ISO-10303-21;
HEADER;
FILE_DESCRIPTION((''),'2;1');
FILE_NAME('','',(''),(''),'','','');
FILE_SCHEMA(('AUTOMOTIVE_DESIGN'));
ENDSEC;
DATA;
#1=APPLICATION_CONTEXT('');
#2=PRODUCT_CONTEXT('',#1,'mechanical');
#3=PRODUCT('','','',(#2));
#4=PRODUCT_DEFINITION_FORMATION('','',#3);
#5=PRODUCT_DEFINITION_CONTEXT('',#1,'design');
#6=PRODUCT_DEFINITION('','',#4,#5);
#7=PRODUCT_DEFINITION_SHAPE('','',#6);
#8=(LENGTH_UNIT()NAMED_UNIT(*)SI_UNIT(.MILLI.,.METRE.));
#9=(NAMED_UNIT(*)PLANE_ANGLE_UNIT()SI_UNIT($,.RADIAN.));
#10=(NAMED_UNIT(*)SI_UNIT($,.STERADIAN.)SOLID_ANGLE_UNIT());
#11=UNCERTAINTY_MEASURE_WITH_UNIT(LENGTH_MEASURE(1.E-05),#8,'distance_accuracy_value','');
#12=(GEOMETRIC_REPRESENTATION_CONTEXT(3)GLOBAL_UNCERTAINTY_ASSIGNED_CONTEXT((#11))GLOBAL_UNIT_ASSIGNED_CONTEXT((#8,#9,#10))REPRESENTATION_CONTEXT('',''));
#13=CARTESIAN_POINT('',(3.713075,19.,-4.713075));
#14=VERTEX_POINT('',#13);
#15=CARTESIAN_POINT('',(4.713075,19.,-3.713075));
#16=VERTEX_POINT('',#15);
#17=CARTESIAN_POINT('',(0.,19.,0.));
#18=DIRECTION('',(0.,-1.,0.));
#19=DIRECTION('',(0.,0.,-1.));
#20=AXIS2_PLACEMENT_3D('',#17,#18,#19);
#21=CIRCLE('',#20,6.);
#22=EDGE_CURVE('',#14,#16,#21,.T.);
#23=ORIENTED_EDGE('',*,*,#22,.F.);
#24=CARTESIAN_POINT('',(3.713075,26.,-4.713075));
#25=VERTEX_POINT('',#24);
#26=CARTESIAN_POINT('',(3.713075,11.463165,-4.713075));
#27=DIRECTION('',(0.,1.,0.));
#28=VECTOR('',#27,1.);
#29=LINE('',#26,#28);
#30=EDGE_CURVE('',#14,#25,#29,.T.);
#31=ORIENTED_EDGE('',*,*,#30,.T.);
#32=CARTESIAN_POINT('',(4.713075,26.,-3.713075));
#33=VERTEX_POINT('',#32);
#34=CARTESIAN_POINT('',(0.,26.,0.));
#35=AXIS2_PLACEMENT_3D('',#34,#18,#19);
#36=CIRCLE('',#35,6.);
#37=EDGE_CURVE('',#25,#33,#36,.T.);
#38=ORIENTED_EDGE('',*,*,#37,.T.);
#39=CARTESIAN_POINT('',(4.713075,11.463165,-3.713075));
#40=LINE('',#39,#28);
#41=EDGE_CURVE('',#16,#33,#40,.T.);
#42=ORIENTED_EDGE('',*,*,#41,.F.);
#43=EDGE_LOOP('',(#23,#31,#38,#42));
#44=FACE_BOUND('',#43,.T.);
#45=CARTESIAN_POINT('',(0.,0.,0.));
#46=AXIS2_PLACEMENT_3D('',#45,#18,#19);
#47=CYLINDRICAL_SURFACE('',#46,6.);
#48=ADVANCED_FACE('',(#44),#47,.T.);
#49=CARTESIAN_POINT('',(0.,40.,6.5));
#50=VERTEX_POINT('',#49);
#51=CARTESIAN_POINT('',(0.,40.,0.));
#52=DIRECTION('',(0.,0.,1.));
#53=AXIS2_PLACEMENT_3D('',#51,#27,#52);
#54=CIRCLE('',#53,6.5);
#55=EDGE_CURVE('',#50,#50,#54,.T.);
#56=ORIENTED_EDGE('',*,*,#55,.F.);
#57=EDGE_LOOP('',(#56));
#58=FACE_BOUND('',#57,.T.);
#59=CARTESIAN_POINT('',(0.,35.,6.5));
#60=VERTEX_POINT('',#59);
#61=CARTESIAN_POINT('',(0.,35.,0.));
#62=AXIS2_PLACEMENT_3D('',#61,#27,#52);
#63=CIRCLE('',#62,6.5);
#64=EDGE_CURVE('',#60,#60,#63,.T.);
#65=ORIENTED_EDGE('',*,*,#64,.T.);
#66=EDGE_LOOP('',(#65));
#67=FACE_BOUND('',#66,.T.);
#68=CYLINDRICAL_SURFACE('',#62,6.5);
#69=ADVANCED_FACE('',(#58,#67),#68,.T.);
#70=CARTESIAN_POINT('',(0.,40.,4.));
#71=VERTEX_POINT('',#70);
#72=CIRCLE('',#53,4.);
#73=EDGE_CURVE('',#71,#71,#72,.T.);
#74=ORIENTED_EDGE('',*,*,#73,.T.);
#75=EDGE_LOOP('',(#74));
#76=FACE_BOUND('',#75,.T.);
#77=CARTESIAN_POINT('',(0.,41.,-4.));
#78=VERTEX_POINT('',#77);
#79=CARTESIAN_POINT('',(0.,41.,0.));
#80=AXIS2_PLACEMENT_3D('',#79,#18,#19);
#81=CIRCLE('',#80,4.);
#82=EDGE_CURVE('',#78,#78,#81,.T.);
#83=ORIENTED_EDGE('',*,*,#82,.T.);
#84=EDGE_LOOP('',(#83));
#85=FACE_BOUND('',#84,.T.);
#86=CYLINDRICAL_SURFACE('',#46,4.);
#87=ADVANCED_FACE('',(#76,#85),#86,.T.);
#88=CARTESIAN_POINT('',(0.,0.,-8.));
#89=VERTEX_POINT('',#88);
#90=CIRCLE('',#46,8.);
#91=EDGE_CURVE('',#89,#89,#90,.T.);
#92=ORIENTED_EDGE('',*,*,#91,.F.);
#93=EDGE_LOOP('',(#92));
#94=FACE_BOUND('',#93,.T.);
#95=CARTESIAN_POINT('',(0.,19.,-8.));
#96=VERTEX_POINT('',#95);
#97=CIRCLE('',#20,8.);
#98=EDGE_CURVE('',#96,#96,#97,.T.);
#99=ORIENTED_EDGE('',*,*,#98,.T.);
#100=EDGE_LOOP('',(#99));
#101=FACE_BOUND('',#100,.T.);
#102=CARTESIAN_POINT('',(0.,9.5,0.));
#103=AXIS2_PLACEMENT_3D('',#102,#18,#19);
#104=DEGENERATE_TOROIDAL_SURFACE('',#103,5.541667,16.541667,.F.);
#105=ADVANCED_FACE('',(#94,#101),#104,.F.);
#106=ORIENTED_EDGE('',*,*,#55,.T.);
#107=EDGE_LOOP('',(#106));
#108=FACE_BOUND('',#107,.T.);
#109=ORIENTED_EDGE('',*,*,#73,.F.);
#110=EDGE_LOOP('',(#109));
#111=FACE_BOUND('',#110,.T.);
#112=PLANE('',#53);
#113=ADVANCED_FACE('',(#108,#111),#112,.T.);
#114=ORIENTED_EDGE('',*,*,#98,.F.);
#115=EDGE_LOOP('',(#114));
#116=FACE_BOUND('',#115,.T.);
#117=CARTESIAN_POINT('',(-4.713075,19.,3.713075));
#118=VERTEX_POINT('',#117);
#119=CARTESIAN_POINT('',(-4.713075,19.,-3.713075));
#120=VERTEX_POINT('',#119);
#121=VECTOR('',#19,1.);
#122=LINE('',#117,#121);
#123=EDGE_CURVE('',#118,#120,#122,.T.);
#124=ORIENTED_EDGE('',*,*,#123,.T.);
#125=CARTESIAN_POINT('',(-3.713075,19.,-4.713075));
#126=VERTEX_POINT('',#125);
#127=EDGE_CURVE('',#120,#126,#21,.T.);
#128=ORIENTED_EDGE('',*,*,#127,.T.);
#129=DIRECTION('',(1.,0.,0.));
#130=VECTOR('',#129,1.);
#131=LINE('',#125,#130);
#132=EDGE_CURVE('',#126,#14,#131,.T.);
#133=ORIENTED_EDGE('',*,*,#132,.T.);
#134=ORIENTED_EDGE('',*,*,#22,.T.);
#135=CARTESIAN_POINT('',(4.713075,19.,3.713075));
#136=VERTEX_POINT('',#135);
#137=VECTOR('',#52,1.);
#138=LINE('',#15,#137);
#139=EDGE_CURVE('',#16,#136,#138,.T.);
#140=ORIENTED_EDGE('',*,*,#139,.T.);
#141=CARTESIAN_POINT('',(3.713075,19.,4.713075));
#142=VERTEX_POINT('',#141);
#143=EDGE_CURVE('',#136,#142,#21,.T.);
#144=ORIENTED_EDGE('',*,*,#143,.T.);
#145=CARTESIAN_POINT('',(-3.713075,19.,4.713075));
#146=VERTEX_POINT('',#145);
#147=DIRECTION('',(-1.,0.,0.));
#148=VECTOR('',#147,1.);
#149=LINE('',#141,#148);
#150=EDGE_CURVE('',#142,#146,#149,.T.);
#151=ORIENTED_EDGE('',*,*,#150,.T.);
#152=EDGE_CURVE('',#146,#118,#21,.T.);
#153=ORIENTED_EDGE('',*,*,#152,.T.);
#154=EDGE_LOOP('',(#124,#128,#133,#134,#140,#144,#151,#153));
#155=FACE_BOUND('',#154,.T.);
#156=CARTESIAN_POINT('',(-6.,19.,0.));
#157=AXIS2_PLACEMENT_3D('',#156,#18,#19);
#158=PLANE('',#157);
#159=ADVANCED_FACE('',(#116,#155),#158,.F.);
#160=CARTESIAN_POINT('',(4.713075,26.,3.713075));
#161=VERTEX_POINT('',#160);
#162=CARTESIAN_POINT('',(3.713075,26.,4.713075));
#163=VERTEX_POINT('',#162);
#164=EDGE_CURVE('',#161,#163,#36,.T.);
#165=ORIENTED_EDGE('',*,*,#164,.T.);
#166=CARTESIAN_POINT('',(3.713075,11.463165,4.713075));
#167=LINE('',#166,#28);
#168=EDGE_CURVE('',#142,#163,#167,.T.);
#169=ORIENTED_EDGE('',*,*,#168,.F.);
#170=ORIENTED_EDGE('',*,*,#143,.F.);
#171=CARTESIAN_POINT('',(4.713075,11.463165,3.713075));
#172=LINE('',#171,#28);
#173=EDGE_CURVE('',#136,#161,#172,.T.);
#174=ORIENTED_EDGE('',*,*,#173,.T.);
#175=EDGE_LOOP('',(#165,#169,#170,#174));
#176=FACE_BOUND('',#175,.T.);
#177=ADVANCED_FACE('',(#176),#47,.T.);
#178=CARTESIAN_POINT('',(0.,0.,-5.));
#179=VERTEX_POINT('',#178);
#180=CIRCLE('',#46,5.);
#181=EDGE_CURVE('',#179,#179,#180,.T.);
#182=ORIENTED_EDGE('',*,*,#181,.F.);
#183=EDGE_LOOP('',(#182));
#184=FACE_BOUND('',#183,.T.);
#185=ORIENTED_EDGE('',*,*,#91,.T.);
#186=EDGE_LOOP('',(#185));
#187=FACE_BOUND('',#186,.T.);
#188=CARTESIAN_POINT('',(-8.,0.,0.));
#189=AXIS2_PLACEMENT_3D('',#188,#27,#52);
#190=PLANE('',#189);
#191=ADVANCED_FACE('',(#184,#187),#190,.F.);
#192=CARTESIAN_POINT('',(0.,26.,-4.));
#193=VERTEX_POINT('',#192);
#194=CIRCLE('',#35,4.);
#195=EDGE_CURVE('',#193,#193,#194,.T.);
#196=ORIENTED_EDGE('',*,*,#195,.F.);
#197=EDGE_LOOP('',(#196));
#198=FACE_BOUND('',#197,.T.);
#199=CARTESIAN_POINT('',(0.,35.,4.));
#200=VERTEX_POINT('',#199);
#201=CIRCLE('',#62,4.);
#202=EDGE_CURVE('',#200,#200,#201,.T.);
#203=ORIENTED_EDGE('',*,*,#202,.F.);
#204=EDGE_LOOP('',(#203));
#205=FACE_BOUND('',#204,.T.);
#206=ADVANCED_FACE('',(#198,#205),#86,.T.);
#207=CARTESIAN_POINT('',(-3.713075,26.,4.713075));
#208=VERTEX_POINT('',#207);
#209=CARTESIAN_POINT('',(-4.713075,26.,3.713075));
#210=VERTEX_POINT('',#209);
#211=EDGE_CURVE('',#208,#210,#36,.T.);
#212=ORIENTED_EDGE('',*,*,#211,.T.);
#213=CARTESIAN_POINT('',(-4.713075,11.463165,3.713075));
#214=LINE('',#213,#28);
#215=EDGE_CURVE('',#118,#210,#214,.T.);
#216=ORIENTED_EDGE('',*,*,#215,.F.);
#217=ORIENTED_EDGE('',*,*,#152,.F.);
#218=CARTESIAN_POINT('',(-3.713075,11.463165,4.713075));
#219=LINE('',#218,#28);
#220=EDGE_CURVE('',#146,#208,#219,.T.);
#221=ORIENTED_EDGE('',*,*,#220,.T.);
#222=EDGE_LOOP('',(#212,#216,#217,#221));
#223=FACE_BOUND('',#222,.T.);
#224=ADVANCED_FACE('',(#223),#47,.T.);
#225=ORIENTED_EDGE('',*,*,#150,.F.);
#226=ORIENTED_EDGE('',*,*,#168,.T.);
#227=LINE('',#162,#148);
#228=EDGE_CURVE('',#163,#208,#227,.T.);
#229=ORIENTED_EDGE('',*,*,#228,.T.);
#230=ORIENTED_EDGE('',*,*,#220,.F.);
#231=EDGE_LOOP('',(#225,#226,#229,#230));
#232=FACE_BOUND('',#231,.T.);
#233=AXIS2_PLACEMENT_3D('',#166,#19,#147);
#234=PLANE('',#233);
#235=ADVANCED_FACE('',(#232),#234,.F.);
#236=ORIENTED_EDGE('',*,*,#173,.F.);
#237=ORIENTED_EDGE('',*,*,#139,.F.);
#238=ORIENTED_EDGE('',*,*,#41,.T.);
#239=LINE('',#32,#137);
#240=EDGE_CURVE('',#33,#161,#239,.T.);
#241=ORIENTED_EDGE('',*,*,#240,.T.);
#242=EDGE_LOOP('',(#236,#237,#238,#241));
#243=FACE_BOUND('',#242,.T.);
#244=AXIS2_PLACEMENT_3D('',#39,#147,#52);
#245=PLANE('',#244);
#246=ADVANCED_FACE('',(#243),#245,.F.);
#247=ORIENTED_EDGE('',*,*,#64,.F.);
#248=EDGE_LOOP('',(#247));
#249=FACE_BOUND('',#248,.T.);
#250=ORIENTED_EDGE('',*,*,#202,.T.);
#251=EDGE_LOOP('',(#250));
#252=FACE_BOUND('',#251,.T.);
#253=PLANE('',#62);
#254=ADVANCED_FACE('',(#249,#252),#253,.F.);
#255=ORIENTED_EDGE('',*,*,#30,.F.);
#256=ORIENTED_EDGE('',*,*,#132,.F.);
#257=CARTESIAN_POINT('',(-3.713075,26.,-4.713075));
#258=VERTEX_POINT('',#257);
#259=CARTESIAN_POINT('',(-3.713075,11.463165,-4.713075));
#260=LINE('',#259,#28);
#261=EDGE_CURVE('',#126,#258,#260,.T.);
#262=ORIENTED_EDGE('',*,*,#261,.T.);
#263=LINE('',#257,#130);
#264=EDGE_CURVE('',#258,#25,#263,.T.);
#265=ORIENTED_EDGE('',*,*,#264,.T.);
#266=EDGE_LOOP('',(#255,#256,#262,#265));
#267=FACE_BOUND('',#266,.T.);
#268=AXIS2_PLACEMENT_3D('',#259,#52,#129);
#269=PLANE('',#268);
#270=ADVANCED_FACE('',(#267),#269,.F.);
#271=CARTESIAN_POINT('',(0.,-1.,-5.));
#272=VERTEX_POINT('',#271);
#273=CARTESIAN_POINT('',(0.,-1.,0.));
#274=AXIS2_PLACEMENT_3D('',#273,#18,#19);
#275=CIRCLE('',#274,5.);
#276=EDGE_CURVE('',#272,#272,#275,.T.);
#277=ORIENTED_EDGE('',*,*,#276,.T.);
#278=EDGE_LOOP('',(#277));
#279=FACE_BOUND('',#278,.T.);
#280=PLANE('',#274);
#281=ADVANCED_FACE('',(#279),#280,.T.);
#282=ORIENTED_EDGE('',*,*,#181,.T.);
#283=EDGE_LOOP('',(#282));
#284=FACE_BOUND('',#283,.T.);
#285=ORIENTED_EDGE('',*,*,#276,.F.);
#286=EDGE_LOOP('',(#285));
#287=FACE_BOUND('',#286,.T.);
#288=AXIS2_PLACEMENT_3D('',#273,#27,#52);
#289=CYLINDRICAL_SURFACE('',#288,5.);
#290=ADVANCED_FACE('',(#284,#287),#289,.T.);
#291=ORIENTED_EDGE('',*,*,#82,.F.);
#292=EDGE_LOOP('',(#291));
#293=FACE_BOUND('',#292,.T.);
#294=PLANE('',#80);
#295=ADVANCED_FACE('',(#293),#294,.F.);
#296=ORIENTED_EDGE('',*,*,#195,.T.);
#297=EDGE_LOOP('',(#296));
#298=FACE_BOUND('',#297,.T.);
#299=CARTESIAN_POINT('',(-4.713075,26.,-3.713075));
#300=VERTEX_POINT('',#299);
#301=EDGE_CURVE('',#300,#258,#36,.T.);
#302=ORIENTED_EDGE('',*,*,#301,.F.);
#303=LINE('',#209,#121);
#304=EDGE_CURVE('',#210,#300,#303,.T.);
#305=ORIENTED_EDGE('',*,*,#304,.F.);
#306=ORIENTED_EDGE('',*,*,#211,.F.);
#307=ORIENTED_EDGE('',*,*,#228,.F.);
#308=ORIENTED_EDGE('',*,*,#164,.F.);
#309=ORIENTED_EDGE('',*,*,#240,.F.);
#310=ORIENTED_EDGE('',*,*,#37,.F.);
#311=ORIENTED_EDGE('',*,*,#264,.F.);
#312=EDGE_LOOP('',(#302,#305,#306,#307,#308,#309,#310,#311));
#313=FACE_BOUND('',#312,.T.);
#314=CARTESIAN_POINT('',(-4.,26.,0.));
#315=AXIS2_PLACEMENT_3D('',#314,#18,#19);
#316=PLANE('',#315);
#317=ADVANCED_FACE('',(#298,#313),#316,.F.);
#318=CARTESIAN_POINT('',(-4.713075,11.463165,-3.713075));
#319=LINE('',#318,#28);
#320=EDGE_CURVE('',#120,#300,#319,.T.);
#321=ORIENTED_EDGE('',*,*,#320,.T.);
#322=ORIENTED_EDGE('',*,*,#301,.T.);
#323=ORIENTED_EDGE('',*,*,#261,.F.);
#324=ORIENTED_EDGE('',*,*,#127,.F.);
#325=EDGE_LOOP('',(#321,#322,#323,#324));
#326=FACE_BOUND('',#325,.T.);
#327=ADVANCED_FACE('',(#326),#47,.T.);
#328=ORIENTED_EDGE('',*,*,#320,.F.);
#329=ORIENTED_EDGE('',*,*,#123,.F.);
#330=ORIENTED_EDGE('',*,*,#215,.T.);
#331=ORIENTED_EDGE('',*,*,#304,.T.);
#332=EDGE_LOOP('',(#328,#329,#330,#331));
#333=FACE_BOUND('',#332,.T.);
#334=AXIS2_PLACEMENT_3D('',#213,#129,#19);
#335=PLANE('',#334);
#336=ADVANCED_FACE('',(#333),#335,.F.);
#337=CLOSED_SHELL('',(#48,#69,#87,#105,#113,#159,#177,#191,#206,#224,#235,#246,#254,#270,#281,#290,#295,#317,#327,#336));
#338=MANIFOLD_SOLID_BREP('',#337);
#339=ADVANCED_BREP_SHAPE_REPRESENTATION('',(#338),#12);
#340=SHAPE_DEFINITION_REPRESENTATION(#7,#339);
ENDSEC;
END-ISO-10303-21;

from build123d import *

# Parameters (mm, degrees)
CUT_EXTRUDE1_DEPTH  = 7
SKETCH3_R           = 5
BOSS_EXTRUDE1_DEPTH = 1
SKETCH4_R           = 6.5
BOSS_EXTRUDE2_DEPTH = 5


with BuildPart() as part:
    # Sketch1 → Revolve1 (revolve)
    with BuildSketch(Plane.XY):
        with BuildLine():
            Line((-8, 0), (0, 0))
            Line((0, 0), (0, 41))
            Line((0, 41), (-4, 41))
            Line((-4, 41), (-4, 26))
            Line((-4, 26), (-6, 26))
            Line((-6, 26), (-6, 19))
            Line((-6, 19), (-8, 19))
            ThreePointArc((-8, 19), (-11, 9.5), (-8, 0))
        make_face()
    revolve(axis=Axis((0, 0, 0), (0, 1, 0)))

    # Sketch2 → Cut-Extrude1 (cut)
    with BuildSketch(Plane(origin=(0, 26, 0), x_dir=(1, 0, 0), z_dir=(0, 1, 0))):
        with BuildLine():
            Line((-3.713074887, 4.713074887), (3.713074887, 4.713074887))
            ThreePointArc((3.713074887, 4.713074887), (0, 6), (-3.713074887, 4.713074887))
        make_face()
        with BuildLine():
            Line((4.713074887, 3.713074887), (4.713074887, -3.713074887))
            ThreePointArc((4.713074887, -3.713074887), (6, 0), (4.713074887, 3.713074887))
        make_face()
        with BuildLine():
            Line((3.713074887, -4.713074887), (-3.713074887, -4.713074887))
            ThreePointArc((-3.713074887, -4.713074887), (0, -6), (3.713074887, -4.713074887))
        make_face()
        with BuildLine():
            Line((-4.713074887, -3.713074887), (-4.713074887, 3.713074887))
            ThreePointArc((-4.713074887, 3.713074887), (-6, 0), (-4.713074887, -3.713074887))
        make_face()
    extrude(amount=-CUT_EXTRUDE1_DEPTH, mode=Mode.SUBTRACT)

    # Sketch3 → Boss-Extrude1 (add)
    with BuildSketch(Plane.XZ):
        Circle(SKETCH3_R)
    extrude(amount=BOSS_EXTRUDE1_DEPTH)

    # Sketch4 → Boss-Extrude2 (add)
    with BuildSketch(Plane(origin=(0, 40, 0), x_dir=(1, 0, 0), z_dir=(0, 1, 0))):
        Circle(SKETCH4_R)
    extrude(amount=-BOSS_EXTRUDE2_DEPTH)


solid = part.part
